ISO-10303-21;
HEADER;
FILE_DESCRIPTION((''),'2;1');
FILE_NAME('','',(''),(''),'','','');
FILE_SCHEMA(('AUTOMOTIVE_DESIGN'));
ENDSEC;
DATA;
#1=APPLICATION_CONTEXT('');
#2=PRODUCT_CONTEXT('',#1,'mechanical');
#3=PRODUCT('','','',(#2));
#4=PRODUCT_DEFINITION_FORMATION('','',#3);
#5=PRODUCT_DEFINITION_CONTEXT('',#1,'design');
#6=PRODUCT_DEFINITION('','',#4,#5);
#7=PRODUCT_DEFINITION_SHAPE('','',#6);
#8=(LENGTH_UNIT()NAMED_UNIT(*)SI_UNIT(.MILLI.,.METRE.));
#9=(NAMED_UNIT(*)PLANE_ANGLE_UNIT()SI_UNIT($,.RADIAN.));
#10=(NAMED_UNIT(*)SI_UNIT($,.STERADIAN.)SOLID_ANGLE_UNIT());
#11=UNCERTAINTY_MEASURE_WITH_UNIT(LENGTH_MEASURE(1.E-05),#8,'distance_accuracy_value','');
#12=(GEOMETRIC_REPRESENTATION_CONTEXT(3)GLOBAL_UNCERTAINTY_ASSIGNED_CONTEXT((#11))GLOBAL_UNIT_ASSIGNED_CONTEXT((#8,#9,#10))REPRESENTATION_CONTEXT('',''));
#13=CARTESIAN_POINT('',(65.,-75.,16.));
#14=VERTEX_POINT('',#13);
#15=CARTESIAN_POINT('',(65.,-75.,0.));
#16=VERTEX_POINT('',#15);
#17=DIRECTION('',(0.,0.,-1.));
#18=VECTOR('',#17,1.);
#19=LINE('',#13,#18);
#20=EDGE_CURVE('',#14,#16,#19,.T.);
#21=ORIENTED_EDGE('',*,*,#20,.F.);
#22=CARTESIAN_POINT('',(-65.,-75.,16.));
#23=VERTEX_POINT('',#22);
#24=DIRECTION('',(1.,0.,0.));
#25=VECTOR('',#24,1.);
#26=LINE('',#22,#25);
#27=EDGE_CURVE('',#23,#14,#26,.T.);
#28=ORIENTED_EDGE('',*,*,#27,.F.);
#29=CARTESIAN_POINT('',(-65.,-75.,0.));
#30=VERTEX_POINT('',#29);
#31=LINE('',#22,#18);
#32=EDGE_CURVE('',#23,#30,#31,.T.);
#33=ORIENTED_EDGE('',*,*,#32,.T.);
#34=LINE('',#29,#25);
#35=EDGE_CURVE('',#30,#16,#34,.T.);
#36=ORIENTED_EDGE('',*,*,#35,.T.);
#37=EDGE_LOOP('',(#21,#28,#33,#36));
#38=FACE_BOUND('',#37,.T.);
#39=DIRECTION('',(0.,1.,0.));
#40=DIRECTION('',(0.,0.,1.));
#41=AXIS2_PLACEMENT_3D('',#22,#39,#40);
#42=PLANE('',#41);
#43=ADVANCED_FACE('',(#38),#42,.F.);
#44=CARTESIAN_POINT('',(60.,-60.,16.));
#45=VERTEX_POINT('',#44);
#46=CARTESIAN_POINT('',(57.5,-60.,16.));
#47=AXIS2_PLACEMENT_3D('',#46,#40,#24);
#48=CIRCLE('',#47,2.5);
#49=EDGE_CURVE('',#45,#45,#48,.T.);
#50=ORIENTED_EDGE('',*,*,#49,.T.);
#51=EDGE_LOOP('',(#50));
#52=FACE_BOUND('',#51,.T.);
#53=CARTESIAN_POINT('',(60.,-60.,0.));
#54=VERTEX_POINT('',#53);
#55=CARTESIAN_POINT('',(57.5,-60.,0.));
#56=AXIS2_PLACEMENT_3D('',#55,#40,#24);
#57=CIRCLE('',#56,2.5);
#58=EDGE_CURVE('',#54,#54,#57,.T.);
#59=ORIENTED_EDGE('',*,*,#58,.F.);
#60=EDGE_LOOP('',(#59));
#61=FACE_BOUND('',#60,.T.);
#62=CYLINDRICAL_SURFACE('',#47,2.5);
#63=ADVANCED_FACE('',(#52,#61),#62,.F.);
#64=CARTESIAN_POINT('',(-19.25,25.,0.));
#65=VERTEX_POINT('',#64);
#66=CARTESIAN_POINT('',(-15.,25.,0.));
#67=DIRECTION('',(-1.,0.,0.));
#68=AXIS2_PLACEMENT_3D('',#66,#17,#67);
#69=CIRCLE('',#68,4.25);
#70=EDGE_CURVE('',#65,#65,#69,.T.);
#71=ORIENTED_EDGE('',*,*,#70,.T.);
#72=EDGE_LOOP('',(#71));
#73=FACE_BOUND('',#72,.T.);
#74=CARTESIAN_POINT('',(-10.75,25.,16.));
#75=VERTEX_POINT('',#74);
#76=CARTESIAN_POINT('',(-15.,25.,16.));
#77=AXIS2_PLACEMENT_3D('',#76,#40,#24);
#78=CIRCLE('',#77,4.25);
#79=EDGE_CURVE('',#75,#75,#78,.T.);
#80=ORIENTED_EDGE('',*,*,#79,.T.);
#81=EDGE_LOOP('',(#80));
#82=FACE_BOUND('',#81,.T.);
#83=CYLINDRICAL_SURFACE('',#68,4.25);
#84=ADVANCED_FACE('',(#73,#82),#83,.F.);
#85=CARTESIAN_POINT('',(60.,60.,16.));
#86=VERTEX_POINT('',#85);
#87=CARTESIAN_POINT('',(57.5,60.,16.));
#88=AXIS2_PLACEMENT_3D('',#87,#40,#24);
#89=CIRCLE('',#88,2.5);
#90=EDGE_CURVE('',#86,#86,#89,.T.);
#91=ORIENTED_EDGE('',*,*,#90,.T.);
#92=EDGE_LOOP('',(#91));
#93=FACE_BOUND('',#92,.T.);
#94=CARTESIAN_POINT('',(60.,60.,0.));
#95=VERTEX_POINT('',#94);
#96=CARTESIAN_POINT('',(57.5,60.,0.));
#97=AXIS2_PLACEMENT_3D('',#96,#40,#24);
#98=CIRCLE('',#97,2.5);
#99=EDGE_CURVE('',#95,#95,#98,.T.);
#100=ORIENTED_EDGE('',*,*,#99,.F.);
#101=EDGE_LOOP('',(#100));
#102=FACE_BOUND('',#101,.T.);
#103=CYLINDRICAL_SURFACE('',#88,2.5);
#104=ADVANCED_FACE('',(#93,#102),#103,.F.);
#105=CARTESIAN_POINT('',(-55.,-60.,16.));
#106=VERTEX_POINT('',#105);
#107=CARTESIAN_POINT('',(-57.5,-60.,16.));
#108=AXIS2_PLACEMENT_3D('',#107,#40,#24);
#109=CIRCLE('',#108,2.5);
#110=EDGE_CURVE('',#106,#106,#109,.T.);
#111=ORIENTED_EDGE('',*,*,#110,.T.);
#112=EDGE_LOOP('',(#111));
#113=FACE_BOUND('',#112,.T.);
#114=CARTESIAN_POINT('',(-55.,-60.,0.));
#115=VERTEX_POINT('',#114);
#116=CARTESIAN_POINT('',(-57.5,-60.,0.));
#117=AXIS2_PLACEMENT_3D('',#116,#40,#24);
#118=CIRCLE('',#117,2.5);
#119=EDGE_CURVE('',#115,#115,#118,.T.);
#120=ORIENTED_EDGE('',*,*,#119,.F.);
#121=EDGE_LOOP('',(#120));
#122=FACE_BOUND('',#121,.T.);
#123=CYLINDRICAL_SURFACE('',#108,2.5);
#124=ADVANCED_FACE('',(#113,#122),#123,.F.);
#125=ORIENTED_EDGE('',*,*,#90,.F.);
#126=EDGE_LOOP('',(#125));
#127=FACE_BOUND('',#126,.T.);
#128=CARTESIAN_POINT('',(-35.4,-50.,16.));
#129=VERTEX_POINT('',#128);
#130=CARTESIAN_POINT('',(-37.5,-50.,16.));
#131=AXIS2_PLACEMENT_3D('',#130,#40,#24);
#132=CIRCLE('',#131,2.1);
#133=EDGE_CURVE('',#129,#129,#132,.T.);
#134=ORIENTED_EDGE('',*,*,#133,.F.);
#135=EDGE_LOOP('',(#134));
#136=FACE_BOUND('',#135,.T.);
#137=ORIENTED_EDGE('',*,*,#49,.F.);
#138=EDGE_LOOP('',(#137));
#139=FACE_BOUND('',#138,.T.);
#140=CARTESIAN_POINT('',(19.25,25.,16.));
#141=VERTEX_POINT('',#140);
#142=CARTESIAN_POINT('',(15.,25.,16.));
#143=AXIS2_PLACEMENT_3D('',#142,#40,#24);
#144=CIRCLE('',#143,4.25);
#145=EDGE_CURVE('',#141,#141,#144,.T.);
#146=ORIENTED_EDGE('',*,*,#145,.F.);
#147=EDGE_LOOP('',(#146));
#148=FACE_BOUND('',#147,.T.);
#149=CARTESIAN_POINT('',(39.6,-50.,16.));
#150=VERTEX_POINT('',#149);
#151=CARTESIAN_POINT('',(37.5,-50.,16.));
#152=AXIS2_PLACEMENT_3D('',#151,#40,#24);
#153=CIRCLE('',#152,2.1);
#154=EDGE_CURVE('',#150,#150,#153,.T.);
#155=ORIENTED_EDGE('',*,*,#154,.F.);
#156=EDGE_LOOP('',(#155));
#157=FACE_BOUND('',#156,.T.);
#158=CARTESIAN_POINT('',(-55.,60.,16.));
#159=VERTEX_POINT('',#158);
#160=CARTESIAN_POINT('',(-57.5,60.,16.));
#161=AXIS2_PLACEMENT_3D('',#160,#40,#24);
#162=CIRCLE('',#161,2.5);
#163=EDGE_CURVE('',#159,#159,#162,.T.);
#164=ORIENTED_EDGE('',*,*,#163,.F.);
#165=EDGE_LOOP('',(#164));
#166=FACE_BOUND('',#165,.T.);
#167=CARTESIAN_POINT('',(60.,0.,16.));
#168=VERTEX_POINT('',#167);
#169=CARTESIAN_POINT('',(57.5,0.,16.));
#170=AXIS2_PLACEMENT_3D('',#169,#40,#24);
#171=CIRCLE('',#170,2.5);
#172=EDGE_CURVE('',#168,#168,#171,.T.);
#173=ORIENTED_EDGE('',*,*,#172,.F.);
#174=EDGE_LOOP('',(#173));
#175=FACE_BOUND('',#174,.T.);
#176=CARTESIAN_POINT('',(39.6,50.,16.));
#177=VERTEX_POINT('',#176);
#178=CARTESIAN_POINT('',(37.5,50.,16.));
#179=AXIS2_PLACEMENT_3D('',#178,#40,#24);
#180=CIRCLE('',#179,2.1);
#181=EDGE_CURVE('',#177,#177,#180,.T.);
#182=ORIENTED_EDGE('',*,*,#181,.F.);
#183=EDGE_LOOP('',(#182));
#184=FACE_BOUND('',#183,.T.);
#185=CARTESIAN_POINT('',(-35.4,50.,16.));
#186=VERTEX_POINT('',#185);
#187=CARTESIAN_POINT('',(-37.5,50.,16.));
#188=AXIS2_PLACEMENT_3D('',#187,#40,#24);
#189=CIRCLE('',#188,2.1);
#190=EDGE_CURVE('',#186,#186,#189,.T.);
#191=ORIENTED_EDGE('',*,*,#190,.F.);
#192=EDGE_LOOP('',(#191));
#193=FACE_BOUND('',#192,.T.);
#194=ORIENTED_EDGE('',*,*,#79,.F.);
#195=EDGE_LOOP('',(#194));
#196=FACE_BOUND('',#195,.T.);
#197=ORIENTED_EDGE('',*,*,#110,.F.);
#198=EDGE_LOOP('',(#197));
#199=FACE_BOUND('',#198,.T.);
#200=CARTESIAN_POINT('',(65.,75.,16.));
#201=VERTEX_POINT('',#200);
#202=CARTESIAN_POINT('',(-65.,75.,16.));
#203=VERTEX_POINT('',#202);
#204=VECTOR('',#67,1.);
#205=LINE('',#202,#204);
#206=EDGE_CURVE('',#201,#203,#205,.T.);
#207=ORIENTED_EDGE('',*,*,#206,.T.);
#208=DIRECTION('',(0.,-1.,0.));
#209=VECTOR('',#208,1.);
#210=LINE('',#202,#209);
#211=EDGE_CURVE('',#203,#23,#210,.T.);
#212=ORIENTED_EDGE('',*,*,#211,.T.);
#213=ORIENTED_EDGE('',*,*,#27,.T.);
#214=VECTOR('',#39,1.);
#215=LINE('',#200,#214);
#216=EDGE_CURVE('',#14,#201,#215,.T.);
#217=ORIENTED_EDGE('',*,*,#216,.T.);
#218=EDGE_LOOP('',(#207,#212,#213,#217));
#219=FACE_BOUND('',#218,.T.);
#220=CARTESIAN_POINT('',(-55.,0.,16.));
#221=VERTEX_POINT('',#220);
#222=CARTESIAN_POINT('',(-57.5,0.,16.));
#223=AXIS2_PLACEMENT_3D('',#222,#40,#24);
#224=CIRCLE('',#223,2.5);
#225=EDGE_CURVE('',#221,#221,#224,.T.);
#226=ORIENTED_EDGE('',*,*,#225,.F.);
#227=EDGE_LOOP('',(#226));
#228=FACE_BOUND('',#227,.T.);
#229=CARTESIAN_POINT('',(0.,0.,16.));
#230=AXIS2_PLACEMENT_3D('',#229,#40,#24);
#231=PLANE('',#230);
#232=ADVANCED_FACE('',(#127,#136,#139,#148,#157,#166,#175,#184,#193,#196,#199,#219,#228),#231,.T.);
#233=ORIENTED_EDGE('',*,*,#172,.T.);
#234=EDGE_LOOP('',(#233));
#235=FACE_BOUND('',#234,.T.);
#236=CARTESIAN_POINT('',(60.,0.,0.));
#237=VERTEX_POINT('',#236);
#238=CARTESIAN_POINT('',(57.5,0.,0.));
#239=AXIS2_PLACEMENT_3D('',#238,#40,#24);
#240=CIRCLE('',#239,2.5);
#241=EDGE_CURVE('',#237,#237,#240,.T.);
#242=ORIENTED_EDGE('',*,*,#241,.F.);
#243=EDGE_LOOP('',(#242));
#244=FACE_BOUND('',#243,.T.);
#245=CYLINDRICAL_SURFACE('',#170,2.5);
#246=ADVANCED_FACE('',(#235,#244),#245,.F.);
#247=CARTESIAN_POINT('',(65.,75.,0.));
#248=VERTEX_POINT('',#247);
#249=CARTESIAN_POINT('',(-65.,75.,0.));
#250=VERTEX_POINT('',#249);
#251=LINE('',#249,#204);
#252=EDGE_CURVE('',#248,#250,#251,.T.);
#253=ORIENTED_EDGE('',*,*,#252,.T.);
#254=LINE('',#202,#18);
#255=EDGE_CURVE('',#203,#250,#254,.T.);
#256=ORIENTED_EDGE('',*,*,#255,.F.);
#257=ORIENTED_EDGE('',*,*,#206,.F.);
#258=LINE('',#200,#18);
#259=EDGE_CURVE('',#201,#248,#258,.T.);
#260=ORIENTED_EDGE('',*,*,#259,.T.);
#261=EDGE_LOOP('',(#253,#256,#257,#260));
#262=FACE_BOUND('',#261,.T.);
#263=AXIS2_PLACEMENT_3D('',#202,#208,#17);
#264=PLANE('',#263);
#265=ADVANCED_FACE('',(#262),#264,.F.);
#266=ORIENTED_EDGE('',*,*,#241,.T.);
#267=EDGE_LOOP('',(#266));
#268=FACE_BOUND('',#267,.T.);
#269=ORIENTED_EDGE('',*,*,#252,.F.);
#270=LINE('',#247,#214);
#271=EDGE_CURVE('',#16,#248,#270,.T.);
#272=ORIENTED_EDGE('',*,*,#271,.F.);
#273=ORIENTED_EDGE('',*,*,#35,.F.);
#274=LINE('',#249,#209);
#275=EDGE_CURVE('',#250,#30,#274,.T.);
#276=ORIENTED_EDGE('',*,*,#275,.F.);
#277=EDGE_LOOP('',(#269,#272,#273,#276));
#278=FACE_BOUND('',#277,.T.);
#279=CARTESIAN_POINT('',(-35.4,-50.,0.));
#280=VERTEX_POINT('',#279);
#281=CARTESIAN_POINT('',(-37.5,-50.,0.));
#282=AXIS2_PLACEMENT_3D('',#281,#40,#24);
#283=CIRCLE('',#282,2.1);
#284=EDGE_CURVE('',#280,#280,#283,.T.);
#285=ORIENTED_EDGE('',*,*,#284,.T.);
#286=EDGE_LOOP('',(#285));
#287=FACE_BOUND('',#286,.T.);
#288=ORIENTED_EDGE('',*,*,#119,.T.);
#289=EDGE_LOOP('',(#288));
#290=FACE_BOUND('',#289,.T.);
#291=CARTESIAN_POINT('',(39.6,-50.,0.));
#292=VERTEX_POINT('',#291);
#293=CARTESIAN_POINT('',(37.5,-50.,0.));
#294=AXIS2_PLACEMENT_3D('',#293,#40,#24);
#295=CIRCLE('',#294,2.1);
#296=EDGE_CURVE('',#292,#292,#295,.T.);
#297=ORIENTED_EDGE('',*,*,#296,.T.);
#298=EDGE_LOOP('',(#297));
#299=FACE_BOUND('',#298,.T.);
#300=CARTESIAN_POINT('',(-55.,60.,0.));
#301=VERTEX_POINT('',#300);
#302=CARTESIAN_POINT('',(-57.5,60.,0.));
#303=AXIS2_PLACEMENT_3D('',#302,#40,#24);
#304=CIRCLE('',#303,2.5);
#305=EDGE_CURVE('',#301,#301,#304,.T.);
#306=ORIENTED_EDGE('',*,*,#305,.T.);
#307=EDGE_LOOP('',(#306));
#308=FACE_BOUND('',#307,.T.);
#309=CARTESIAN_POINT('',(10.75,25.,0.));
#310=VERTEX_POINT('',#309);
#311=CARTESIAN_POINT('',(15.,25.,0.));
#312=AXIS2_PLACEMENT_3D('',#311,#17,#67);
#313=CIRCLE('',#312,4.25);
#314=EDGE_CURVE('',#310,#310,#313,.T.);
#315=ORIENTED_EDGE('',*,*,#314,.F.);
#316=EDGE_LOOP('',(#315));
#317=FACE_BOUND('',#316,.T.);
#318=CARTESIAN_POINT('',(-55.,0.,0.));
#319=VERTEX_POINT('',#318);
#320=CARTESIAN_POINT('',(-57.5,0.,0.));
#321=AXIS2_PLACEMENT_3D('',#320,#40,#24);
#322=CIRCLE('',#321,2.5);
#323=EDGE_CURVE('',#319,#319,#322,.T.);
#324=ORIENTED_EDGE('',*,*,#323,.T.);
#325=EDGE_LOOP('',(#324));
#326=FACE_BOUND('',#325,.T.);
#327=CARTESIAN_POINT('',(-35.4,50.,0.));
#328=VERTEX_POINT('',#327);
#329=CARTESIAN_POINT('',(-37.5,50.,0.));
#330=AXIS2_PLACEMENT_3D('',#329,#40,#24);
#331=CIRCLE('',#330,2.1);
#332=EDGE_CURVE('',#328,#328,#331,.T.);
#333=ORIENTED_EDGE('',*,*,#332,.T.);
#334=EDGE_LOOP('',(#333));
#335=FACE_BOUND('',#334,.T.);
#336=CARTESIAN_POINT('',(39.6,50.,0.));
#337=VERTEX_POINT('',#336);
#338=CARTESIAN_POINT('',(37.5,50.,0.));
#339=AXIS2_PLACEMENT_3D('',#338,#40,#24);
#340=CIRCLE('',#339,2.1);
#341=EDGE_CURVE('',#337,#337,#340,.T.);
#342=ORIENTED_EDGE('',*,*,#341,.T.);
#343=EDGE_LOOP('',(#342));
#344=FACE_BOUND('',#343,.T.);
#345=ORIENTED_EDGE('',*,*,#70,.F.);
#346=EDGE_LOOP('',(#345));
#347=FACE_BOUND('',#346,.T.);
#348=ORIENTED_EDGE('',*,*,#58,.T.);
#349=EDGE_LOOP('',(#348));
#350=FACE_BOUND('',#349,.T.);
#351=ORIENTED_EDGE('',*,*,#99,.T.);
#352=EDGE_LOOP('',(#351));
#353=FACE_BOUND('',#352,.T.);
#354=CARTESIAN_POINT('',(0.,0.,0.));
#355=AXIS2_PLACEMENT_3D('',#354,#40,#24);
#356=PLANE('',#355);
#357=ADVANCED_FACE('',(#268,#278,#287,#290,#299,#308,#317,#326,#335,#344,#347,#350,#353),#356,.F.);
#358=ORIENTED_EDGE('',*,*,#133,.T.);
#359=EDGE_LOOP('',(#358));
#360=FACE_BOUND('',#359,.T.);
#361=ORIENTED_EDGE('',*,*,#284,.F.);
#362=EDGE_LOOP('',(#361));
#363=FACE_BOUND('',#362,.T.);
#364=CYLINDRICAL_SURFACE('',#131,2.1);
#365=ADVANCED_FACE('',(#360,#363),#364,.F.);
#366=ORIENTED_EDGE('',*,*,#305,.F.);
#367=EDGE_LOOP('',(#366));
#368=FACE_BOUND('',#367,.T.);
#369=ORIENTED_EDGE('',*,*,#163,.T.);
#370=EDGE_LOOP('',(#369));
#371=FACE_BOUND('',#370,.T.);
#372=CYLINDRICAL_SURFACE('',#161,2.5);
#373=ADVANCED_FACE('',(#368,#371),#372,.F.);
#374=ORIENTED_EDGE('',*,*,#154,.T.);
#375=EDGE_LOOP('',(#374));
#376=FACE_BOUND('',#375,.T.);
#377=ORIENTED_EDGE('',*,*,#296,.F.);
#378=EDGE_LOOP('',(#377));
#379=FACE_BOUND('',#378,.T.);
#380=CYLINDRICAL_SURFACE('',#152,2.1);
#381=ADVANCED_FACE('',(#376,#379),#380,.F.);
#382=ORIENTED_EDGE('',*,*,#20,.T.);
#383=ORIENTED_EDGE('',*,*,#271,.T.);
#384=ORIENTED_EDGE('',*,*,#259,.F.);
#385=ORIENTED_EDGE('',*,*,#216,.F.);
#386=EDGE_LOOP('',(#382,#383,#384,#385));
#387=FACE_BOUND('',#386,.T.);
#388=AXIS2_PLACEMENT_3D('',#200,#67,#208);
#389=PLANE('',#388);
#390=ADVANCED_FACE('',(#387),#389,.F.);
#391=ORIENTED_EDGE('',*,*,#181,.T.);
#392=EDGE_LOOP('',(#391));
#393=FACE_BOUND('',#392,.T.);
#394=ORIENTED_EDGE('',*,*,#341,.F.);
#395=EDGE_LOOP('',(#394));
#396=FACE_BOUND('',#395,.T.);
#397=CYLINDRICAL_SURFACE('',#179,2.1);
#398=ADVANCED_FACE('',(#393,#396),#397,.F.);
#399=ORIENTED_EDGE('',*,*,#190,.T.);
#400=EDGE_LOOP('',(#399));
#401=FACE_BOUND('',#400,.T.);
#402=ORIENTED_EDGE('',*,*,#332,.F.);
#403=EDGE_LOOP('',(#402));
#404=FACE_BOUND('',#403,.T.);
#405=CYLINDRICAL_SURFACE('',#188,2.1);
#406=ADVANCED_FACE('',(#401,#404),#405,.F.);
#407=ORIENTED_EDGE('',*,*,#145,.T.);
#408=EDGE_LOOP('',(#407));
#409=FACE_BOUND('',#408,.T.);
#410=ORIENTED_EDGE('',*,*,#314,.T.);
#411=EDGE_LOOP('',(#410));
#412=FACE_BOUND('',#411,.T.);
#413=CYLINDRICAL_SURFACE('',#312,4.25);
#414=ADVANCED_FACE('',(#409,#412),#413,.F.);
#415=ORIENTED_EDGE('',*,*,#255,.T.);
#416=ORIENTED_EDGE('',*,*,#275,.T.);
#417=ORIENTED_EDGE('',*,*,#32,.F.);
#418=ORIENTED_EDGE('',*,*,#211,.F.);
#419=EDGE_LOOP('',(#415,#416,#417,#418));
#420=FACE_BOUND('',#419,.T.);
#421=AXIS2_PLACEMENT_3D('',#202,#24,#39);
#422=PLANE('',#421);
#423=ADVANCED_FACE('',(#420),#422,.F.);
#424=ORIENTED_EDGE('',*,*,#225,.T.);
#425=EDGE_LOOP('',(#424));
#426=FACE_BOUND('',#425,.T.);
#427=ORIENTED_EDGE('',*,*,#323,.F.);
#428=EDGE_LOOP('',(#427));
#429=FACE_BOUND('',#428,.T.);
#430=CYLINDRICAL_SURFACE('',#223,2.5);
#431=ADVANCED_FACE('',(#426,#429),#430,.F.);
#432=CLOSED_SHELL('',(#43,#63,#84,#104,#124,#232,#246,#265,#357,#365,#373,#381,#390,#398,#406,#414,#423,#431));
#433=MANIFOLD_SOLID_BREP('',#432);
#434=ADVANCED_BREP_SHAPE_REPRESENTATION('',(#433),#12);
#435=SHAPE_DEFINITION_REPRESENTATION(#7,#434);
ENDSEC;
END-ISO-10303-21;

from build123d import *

# Parameters (mm, degrees)
SKETCH1_W              = 130
SKETCH1_H              = 150
EXTRUDE1_DEPTH         = 16
M6_TAPPED_HOLE1_D      = 5
M5_TAPPED_HOLE1_D      = 4.2
M5_TAPPED_HOLE1_DEPTH  = 16
M10_TAPPED_HOLE1_D     = 8.5
M10_TAPPED_HOLE1_DEPTH = 27.5
M10_TAPPED_HOLE1_TIP   = 2.553657631
M10_TAPPED_HOLE2_D     = 8.5
M10_TAPPED_HOLE2_DEPTH = 27.5
M10_TAPPED_HOLE2_TIP   = 2.553657631


with BuildPart() as part:
    # Sketch1 → Extrude1 (new body)
    with BuildSketch(Plane.XY):
        Rectangle(SKETCH1_W, SKETCH1_H)
    extrude(amount=EXTRUDE1_DEPTH)

    # M6 Tapped Hole1 (through all)
    with Locations(Plane.XY.offset(16)):
        with Locations((-57.5, 60), (-57.5, 0), (-57.5, -60), (57.5, -60), (57.5, 0), (57.5, 60)):
            Hole(M6_TAPPED_HOLE1_D / 2)

    # M5 Tapped Hole1
    with Locations(Plane.XY.offset(16)):
        with Locations((-37.5, 50), (37.5, 50), (37.5, -50), (-37.5, -50)):
            Hole(M5_TAPPED_HOLE1_D / 2, depth=M5_TAPPED_HOLE1_DEPTH)

    # M10 Tapped Hole1
    with Locations(Plane(origin=(0, 0, 0), x_dir=(-1, 0, 0), z_dir=(0, 0, -1))):
        with Locations((-15, 25)):
            Hole(M10_TAPPED_HOLE1_D / 2, depth=M10_TAPPED_HOLE1_DEPTH)
            with Locations((0, 0, -(M10_TAPPED_HOLE1_DEPTH + M10_TAPPED_HOLE1_TIP / 2))):  # 118° drill point
                Cone(0, M10_TAPPED_HOLE1_D / 2, M10_TAPPED_HOLE1_TIP, mode=Mode.SUBTRACT)

    # M10 Tapped Hole2
    with Locations(Plane(origin=(0, 0, 0), x_dir=(-1, 0, 0), z_dir=(0, 0, -1))):
        with Locations((15, 25)):
            Hole(M10_TAPPED_HOLE2_D / 2, depth=M10_TAPPED_HOLE2_DEPTH)
            with Locations((0, 0, -(M10_TAPPED_HOLE2_DEPTH + M10_TAPPED_HOLE2_TIP / 2))):  # 118° drill point
                Cone(0, M10_TAPPED_HOLE2_D / 2, M10_TAPPED_HOLE2_TIP, mode=Mode.SUBTRACT)


solid = part.part
